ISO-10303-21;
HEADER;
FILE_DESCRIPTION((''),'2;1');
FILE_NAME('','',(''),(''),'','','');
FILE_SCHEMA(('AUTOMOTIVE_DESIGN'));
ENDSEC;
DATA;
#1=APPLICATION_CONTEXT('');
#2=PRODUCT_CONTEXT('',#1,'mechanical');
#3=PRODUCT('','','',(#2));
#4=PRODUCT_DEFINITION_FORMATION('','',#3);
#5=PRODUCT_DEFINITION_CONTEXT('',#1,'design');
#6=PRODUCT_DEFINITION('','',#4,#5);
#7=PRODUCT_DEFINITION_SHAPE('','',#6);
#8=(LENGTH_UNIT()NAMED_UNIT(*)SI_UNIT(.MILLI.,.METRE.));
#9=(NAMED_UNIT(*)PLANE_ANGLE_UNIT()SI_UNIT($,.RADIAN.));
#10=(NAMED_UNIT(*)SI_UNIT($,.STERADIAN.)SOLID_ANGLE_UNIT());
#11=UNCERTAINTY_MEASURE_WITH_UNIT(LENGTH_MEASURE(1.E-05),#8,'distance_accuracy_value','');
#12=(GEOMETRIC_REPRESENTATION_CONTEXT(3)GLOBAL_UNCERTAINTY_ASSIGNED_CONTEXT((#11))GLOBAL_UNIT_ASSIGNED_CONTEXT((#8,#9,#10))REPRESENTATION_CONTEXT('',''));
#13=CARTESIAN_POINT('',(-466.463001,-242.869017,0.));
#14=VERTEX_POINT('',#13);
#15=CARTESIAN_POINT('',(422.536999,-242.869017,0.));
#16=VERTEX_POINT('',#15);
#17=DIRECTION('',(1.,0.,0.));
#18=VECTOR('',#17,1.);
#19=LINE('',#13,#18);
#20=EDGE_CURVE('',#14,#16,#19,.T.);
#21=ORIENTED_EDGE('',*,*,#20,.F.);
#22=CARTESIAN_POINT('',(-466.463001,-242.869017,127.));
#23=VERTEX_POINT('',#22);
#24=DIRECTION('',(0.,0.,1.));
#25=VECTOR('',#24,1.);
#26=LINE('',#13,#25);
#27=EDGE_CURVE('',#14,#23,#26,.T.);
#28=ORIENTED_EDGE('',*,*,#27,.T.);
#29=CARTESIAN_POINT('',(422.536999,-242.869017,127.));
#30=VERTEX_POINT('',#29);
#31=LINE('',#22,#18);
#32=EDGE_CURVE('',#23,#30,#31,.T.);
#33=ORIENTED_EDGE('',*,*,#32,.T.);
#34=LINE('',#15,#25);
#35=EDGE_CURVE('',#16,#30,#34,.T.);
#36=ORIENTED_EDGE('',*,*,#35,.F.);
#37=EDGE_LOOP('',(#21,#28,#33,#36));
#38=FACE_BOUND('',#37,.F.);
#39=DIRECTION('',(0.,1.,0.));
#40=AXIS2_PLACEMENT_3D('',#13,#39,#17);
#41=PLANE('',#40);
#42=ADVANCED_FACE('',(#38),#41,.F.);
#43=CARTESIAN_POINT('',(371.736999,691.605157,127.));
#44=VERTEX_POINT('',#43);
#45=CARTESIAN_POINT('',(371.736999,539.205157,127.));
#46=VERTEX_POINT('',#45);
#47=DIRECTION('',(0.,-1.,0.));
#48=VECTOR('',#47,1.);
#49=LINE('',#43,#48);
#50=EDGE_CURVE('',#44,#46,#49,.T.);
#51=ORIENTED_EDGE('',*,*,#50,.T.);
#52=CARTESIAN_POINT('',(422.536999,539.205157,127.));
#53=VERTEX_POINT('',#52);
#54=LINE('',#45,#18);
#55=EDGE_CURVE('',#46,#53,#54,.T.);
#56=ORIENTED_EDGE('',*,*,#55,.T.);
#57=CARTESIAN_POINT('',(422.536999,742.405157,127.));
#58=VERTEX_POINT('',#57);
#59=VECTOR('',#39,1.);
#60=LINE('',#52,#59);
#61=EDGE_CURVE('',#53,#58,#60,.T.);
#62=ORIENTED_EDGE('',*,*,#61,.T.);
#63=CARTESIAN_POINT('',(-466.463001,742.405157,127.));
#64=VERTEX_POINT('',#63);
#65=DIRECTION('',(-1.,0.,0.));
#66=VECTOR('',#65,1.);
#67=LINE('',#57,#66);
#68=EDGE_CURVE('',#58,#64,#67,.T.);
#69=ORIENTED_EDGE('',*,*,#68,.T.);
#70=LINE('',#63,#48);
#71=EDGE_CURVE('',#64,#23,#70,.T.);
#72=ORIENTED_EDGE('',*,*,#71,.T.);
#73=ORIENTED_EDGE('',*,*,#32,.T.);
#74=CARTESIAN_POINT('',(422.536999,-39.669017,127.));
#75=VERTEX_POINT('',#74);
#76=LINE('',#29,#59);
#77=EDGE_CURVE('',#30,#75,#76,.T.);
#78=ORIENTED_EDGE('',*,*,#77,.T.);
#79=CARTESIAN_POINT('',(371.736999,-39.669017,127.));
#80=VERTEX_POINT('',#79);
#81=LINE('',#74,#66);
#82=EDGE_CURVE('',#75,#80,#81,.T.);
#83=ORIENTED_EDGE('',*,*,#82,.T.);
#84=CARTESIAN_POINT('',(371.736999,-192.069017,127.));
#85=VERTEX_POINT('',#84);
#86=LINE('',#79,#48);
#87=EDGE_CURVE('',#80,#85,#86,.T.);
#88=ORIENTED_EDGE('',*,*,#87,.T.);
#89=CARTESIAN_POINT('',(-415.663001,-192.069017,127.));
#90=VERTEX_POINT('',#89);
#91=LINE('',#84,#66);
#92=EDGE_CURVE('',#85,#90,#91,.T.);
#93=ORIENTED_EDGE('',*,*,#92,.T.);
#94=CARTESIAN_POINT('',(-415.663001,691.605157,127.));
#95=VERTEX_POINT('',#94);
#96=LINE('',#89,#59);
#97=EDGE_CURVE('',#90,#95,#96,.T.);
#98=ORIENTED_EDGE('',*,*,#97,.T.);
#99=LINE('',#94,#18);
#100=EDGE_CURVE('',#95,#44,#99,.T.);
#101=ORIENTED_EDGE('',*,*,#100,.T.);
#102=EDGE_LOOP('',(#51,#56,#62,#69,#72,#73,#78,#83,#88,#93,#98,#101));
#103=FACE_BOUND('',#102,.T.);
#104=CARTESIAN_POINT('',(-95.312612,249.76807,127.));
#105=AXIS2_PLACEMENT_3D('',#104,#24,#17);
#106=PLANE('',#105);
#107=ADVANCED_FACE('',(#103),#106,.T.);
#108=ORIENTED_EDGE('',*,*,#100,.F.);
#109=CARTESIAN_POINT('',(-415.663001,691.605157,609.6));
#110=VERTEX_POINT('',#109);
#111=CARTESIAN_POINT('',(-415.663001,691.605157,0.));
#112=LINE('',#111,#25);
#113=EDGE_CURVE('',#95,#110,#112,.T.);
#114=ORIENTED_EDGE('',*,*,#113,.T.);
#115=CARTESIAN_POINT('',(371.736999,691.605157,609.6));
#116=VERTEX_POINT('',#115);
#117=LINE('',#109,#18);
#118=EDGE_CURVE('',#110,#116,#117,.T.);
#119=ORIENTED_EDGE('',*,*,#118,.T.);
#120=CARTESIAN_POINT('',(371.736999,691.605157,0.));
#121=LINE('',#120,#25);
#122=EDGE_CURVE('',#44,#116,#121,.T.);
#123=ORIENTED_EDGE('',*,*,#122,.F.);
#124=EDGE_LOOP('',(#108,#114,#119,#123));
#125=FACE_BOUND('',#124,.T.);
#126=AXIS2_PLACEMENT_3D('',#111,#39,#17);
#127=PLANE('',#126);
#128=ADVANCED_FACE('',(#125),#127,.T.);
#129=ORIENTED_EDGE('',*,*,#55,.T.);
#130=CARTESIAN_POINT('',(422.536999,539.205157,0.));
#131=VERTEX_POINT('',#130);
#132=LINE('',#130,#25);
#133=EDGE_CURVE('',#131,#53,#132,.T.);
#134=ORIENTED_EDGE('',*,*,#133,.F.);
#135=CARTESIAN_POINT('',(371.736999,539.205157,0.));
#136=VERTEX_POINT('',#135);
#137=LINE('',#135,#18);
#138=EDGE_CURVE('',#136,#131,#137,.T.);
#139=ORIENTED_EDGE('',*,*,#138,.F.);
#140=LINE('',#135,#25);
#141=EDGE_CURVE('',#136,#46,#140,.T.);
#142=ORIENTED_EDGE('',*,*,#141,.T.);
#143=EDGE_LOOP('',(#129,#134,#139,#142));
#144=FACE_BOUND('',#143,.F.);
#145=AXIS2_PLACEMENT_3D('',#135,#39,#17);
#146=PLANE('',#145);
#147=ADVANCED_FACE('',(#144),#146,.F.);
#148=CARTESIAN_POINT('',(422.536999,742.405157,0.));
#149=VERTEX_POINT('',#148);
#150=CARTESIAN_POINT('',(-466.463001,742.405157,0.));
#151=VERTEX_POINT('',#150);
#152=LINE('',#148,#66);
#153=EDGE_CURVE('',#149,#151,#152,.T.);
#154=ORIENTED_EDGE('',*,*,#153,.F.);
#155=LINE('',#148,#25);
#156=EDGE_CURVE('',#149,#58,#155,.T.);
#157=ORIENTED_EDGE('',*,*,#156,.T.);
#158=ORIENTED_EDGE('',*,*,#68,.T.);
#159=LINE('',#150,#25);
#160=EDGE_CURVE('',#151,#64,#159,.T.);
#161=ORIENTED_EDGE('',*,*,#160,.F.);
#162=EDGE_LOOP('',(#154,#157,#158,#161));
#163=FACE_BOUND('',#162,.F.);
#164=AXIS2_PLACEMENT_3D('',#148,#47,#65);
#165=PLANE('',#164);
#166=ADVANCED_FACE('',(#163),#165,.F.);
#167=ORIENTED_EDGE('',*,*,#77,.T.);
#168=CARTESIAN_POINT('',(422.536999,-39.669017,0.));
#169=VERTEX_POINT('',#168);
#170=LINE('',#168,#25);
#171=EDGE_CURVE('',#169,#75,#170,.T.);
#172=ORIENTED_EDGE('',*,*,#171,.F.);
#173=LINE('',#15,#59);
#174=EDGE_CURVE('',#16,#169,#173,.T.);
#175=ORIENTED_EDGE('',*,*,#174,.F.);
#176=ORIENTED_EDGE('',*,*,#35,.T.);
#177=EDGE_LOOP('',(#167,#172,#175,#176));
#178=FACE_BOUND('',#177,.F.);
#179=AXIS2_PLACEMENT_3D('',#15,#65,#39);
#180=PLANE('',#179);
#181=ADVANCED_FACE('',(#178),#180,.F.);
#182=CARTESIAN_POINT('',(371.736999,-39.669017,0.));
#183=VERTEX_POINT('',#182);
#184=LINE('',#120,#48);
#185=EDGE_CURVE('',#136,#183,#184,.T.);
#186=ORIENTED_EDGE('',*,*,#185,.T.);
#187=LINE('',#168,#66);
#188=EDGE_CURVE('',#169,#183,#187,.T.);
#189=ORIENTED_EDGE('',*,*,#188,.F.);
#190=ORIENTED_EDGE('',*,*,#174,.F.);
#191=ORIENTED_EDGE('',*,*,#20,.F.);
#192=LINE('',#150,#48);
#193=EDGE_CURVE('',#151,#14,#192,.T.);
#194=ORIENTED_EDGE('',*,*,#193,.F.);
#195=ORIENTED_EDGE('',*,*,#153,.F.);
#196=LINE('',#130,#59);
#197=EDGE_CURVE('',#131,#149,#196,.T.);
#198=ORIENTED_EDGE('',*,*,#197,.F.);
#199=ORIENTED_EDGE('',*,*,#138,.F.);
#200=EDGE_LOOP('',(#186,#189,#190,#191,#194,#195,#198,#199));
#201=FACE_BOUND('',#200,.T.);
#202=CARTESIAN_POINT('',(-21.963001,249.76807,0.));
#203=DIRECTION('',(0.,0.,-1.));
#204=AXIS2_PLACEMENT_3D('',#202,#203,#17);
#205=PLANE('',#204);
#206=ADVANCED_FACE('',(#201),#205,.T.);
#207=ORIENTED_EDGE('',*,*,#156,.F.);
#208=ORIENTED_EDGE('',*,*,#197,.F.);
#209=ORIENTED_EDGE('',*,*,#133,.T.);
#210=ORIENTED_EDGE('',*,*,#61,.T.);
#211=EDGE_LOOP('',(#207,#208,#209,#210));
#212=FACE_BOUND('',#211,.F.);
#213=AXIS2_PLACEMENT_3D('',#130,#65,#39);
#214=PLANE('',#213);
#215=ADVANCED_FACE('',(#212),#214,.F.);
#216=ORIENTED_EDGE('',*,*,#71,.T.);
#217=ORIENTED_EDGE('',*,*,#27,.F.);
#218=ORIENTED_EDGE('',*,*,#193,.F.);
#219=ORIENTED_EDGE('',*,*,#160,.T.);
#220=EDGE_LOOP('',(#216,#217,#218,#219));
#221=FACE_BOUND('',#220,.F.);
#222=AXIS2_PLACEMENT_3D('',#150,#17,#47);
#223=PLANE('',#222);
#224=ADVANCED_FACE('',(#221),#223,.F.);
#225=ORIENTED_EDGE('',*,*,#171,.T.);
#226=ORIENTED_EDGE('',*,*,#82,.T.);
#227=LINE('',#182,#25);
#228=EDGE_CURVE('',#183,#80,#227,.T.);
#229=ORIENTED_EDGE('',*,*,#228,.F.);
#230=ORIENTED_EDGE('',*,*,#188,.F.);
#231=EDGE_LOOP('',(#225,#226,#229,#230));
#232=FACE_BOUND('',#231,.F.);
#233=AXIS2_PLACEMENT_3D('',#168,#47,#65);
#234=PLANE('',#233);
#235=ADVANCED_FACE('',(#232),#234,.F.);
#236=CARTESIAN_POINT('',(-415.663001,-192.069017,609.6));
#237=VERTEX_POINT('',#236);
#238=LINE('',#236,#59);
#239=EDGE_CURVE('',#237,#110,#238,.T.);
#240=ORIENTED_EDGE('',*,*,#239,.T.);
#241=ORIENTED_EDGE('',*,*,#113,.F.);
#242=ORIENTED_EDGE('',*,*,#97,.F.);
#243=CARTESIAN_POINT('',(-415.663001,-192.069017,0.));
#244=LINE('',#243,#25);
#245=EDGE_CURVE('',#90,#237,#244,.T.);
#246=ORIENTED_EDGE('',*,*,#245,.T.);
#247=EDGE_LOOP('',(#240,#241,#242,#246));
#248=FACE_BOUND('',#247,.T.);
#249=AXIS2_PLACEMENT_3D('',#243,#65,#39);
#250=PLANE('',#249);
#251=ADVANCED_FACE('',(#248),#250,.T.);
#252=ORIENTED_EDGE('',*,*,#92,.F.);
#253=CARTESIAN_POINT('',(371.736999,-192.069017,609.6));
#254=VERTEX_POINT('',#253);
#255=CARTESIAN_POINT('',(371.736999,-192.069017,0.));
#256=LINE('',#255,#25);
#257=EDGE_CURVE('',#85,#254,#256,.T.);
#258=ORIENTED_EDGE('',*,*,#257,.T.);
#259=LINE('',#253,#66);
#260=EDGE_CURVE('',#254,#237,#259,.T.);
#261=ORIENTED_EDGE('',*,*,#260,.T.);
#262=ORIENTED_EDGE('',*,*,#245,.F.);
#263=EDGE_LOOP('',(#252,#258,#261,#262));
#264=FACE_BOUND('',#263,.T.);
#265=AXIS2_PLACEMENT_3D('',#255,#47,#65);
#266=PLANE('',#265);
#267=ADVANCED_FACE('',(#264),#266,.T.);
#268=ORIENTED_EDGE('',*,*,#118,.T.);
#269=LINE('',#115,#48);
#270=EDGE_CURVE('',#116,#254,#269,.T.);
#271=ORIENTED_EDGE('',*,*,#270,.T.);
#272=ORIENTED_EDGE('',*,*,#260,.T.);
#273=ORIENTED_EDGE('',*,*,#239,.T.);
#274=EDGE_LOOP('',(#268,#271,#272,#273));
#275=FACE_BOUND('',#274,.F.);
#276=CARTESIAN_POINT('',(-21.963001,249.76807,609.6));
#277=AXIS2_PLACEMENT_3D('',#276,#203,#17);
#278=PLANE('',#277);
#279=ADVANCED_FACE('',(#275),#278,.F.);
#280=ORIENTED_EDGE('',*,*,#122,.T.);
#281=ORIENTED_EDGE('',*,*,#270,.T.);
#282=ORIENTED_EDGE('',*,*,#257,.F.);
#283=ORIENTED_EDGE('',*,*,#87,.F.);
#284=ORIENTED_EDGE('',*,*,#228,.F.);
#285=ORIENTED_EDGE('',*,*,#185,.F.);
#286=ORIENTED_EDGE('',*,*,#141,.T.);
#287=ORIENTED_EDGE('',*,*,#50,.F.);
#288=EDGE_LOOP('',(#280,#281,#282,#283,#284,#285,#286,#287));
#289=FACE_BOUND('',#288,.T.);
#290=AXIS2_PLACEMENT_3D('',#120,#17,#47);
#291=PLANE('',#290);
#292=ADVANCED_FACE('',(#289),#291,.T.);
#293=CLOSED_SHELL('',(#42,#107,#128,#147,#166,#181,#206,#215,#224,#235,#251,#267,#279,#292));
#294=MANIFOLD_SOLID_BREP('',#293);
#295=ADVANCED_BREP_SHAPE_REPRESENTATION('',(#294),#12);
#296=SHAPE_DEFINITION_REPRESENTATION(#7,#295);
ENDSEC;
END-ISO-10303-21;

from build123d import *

# Parameters (mm, degrees)
F2_DEPTH = 127
F4_DEPTH = 609.6


with BuildPart() as f2:
    # F1 (on Top) → F2 (new body)
    with BuildSketch(Plane.XY):
        Polygon((422.536999, 742.405157), (-466.463001, 742.405157), (-466.463001, -242.869017), (422.536999, -242.869017), (422.536999, -39.669017), (371.736999, -39.669017), (371.736999, -192.069017), (-415.663001, -192.069017), (-415.663001, 691.605157), (371.736999, 691.605157), (371.736999, 539.205157), (422.536999, 539.205157), align=None)
    extrude(amount=F2_DEPTH)

    # F3 (on face) → F4 (join)
    with BuildSketch(Plane(origin=(0, 0, 0), x_dir=(1, 0, 0), z_dir=(0, 0, -1))):
        Polygon((371.736999, 39.669017), (371.736999, 192.069017), (-415.663001, 192.069017), (-415.663001, -691.605157), (371.736999, -691.605157), (371.736999, -539.205157), align=None)
    extrude(amount=-F4_DEPTH)


solid = f2.part
